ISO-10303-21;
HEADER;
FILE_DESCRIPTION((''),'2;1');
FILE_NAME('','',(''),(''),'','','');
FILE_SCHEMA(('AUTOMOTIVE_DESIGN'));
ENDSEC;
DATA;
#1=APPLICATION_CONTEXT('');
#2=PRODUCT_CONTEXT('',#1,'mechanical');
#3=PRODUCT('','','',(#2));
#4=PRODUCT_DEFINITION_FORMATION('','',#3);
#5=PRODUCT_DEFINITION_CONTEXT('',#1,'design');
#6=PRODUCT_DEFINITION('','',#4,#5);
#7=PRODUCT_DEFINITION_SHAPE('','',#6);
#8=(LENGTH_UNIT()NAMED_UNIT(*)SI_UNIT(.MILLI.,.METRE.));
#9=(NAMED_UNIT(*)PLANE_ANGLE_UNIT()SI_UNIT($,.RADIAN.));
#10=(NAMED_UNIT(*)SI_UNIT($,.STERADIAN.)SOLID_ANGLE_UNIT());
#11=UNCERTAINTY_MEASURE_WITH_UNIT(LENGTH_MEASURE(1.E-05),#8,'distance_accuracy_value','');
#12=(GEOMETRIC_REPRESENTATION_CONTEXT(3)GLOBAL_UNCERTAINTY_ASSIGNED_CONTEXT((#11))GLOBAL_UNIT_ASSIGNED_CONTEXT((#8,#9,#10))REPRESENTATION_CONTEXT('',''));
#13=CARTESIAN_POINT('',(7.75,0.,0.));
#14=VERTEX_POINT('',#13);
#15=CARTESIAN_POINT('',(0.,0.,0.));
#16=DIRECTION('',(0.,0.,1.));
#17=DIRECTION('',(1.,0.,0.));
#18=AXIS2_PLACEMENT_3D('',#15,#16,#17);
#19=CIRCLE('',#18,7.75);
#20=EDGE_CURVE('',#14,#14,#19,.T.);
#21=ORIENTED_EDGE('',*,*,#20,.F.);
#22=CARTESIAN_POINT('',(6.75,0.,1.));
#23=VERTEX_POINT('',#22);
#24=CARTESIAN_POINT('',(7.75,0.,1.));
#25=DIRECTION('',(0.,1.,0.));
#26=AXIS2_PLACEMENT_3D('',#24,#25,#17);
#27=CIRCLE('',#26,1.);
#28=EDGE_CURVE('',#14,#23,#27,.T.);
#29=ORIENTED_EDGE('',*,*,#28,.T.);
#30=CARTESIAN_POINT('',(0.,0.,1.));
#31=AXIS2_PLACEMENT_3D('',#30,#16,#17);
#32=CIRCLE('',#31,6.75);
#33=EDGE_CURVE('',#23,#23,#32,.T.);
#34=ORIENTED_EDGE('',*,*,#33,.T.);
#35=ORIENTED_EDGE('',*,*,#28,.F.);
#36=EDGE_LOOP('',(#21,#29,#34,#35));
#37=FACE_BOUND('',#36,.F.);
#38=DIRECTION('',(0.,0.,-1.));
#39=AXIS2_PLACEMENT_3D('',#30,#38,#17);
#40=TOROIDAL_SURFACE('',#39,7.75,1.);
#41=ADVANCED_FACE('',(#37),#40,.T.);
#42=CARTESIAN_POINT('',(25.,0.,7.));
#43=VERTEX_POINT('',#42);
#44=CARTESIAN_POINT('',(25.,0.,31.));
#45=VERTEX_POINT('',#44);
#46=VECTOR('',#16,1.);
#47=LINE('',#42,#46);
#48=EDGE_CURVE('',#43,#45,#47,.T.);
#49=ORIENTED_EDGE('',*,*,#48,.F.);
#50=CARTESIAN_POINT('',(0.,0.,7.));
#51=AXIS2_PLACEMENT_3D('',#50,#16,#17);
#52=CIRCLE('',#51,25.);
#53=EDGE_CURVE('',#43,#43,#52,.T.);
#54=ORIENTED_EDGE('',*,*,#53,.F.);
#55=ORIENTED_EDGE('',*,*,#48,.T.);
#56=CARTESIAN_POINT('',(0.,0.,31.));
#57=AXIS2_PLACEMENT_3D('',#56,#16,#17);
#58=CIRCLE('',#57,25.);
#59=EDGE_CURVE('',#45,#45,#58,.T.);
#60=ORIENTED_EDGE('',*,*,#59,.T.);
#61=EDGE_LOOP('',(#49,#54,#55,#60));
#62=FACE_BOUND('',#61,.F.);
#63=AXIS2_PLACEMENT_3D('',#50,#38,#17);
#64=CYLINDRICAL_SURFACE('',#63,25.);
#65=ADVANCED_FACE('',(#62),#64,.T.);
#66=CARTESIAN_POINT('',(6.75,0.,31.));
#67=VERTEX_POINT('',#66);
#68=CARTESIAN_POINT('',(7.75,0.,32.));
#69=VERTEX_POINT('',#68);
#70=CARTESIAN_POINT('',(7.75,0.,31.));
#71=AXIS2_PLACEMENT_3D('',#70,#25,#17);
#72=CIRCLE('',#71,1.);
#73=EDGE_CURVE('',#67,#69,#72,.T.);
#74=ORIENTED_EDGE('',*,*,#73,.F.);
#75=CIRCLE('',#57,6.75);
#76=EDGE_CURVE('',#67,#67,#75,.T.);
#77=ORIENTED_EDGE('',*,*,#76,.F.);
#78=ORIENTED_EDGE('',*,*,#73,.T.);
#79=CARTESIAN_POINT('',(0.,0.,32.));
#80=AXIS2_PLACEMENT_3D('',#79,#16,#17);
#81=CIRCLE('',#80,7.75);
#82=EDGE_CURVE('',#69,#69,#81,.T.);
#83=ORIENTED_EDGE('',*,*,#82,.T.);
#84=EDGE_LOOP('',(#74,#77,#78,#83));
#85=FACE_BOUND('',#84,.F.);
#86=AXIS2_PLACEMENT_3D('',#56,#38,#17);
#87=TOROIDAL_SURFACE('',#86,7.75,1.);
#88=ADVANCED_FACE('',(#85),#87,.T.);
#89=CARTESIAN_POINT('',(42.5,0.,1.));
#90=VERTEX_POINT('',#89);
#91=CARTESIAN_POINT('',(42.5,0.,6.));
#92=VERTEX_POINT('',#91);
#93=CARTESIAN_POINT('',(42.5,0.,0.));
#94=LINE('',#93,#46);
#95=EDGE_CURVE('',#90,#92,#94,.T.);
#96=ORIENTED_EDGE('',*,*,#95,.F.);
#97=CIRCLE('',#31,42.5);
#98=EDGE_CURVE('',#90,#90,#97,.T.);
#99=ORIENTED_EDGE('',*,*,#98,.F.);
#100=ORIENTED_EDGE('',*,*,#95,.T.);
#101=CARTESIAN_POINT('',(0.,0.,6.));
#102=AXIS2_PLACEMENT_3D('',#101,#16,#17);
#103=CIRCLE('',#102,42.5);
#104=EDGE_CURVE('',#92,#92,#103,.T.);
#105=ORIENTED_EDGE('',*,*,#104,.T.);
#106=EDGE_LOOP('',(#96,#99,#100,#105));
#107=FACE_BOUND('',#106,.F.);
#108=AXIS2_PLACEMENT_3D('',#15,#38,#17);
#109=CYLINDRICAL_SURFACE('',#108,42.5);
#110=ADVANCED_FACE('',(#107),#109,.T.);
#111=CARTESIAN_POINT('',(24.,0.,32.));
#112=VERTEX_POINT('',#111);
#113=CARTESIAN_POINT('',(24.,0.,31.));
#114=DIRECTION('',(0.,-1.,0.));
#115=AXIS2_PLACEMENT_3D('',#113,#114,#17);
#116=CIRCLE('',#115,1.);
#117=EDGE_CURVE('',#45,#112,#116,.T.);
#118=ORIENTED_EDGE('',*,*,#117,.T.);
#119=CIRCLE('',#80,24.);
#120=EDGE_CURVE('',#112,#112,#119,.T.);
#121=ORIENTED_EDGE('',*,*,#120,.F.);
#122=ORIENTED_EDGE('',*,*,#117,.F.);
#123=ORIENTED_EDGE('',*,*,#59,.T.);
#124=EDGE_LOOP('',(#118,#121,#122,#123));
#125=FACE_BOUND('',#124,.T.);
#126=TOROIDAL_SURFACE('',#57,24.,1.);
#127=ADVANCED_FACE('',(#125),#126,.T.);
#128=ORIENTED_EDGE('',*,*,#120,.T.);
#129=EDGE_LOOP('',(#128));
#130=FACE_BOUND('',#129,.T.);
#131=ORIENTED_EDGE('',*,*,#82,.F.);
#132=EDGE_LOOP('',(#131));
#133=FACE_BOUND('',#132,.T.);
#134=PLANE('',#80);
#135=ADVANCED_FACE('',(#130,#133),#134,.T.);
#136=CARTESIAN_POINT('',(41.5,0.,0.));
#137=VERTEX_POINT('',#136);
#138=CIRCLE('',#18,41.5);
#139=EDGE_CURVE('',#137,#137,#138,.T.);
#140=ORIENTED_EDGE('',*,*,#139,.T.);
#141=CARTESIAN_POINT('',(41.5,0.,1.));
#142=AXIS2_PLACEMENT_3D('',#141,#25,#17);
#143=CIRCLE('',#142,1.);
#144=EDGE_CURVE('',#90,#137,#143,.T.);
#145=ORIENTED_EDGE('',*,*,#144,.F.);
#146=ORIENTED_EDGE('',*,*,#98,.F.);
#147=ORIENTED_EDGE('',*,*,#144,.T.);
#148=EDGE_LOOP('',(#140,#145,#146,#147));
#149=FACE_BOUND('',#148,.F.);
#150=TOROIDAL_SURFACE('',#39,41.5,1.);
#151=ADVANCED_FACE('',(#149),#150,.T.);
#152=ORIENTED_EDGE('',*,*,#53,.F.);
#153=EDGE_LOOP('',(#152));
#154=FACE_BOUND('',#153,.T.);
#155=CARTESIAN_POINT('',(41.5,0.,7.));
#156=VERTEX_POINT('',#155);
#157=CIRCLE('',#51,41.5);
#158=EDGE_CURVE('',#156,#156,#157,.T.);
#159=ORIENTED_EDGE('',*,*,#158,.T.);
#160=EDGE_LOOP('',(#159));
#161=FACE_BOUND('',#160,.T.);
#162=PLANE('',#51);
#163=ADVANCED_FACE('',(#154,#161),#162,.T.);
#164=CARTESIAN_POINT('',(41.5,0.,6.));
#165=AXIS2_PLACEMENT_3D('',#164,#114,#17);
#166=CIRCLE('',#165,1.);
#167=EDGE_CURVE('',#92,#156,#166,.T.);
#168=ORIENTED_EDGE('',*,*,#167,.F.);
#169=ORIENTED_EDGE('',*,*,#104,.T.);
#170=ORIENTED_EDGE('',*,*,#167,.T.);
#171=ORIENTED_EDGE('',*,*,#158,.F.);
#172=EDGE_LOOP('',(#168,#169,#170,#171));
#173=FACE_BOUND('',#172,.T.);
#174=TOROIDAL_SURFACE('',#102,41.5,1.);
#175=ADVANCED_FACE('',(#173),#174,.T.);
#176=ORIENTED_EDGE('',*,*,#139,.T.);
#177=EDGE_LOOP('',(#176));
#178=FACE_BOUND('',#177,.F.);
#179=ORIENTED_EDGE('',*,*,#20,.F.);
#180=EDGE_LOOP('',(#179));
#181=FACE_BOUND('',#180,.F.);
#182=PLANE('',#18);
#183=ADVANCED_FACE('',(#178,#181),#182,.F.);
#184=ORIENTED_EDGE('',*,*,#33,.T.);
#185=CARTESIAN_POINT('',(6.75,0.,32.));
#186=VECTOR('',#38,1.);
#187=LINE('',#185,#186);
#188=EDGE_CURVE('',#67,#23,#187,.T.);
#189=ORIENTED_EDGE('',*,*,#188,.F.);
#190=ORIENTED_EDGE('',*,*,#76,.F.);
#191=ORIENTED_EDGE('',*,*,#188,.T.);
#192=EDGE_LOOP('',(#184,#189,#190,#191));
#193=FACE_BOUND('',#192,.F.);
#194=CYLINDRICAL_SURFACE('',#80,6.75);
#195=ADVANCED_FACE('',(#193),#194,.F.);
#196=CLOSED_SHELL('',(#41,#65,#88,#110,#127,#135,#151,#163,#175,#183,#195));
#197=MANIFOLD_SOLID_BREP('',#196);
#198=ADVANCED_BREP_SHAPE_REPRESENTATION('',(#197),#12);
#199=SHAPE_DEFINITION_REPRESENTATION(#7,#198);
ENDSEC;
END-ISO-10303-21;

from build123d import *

# Parameters (mm, degrees)
F0_R     = 42.5
F1_DEPTH = 7
F2_R     = 25
F3_DEPTH = 25
F4_R     = 6.75
F5_DEPTH = 32.001
F6_R     = 1


with BuildPart() as f1:
    # F0 (on Top) → F1 (new body)
    with BuildSketch(Plane.XY):
        Circle(F0_R)
    extrude(amount=F1_DEPTH)

    # F2 (on face) → F3 (join)
    with BuildSketch(Plane.XY.offset(7)):
        Circle(F2_R)
    extrude(amount=F3_DEPTH)

    # F4 (on face) → F5 (cut, through all)
    with BuildSketch(Plane.XY.offset(32)):
        Circle(F4_R)
    extrude(amount=-F5_DEPTH, mode=Mode.SUBTRACT)

    # F6
    f6_edges = [f1.edges().sort_by_distance(p)[0] for p in [
        (-6.75, 0, 32),
        (-6.75, 0, 0),
        (-42.5, 0, 0),
        (-42.5, 0, 7),
        (-25, 0, 32),
    ]]
    fillet(f6_edges, radius=F6_R)


solid = f1.part
